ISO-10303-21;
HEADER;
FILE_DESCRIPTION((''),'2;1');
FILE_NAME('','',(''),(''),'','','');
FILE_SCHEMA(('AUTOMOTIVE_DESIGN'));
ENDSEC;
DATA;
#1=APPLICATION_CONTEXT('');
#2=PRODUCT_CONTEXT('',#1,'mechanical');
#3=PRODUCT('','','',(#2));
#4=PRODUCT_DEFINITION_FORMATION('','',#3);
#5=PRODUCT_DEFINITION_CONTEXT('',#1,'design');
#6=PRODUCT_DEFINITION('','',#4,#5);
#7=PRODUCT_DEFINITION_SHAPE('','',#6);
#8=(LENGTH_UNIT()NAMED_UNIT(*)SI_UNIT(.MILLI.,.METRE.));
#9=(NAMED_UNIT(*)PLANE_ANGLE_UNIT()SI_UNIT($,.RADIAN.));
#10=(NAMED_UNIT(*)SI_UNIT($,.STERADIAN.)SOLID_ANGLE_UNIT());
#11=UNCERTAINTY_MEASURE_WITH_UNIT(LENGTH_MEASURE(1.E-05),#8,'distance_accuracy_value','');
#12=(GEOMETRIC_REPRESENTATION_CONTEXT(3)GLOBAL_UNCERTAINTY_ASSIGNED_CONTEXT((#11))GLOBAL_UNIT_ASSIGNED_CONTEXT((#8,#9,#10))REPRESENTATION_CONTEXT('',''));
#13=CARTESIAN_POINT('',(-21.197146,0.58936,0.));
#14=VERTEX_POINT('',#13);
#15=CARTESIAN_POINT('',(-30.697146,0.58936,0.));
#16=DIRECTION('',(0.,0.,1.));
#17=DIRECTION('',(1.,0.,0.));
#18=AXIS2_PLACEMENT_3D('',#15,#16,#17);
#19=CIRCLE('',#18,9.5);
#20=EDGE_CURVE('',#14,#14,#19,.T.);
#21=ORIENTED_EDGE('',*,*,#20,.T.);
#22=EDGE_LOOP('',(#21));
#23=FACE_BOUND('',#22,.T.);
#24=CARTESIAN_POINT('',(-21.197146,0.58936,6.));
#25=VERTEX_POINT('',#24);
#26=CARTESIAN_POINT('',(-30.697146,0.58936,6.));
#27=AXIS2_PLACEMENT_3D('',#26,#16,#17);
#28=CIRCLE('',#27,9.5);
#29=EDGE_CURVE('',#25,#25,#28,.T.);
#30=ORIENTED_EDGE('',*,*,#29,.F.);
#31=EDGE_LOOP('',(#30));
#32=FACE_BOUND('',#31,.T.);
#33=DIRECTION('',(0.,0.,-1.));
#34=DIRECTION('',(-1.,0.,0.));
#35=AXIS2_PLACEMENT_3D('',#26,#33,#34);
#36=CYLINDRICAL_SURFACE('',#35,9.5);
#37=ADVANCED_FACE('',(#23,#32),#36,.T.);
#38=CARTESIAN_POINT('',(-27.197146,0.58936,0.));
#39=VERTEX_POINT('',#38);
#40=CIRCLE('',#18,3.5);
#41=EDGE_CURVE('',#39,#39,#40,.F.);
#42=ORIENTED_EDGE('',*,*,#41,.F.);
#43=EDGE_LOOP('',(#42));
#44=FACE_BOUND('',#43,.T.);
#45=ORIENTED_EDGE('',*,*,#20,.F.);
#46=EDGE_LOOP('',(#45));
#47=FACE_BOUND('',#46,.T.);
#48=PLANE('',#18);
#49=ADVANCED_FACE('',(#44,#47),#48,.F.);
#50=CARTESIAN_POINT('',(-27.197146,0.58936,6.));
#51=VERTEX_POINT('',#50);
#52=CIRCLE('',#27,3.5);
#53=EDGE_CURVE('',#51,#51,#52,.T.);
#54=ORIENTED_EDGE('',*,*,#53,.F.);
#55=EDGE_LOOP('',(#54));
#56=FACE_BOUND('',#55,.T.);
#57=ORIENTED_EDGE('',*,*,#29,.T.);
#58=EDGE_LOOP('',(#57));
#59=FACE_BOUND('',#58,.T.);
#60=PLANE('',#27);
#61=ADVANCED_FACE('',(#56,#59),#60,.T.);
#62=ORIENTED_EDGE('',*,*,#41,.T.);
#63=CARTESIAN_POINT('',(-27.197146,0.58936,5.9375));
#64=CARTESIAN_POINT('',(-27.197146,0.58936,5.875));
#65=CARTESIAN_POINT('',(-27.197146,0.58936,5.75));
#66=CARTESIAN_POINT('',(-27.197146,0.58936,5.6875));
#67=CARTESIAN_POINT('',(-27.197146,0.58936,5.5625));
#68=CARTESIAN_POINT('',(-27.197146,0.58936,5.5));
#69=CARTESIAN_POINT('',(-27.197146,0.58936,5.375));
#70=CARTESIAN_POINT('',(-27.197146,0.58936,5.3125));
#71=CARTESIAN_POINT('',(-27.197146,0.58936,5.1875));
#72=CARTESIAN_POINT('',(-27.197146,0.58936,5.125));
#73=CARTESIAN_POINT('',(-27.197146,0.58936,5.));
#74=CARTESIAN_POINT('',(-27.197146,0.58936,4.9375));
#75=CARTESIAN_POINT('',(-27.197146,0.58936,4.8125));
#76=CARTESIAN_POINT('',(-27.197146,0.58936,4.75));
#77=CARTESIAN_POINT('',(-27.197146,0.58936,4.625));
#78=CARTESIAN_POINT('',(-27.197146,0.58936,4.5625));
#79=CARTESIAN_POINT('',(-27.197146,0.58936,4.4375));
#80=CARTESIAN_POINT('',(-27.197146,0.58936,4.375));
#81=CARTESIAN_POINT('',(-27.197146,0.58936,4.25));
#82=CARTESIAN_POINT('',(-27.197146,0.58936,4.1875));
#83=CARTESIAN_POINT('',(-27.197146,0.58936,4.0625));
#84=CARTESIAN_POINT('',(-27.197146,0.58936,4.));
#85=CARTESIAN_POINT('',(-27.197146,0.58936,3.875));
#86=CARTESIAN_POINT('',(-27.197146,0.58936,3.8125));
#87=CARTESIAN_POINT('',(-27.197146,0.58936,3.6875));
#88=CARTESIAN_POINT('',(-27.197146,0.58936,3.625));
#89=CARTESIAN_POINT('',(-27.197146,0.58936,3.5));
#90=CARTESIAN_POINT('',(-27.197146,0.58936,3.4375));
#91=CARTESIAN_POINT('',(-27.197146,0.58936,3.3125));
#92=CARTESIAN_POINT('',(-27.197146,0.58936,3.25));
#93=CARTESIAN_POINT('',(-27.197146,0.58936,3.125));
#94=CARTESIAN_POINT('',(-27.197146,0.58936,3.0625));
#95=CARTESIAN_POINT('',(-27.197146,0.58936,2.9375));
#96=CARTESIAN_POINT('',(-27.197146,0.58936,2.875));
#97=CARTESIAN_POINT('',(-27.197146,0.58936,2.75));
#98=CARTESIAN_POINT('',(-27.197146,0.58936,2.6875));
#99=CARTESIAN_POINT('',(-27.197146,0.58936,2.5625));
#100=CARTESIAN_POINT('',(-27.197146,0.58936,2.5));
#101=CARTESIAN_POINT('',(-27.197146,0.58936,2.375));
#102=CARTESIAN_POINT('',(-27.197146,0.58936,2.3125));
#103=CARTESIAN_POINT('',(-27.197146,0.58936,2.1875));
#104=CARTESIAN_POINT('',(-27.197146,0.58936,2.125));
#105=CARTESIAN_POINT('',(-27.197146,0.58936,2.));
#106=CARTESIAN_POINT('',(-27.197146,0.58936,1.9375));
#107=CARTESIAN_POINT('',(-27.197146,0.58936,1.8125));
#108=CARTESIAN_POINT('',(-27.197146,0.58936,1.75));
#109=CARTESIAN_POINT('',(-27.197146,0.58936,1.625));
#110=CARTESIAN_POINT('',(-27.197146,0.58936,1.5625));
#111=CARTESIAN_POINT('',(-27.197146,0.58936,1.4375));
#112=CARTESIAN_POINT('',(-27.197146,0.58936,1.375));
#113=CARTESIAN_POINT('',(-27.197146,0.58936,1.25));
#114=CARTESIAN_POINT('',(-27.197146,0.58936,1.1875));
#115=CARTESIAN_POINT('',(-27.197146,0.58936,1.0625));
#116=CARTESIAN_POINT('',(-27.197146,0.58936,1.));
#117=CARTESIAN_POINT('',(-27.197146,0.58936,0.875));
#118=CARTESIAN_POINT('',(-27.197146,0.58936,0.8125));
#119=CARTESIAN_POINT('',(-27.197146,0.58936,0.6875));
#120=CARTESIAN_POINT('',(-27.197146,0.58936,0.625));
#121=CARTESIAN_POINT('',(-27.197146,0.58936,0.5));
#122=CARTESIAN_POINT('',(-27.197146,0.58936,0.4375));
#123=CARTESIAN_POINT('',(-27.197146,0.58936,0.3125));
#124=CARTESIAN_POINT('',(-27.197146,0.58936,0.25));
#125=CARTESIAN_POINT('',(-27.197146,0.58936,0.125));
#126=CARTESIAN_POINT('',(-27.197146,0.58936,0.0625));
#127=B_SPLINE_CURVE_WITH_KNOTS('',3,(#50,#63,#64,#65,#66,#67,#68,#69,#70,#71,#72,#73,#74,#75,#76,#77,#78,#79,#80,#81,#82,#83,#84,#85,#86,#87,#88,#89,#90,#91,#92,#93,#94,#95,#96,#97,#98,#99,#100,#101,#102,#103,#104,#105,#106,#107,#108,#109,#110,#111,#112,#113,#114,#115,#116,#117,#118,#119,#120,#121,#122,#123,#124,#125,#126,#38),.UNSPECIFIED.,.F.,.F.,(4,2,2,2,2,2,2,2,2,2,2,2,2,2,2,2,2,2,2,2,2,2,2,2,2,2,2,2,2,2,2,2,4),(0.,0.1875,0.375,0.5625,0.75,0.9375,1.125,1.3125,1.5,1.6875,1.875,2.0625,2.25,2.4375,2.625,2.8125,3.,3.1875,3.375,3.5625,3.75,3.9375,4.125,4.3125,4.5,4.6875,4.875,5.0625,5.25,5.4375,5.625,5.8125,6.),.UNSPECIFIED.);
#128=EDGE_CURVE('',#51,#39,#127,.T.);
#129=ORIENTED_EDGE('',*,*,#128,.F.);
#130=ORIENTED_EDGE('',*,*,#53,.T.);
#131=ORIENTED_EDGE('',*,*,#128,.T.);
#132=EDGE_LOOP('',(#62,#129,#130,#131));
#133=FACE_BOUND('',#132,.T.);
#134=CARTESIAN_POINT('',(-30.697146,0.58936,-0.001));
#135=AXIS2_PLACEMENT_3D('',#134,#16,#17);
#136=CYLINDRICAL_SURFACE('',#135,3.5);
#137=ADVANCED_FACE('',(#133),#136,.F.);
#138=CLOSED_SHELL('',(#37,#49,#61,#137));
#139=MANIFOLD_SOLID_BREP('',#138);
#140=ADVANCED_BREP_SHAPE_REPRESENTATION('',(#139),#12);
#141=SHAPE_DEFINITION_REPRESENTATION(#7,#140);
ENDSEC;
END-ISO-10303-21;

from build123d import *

# Parameters (mm, degrees)
ESQUISSE1_R             = 9.5
BOSS_EXTRU_1_DEPTH      = 6
ENL_V_MAT_EXTRU_1_REACH = 43.876
ESQUISSE2_R             = 3.5


with BuildPart() as part:
    # Esquisse1 → Boss.-Extru.1 (new body)
    with BuildSketch(Plane.XY):
        with Locations((-30.697145843, 0.589360339)):
            Circle(ESQUISSE1_R)
    extrude(amount=BOSS_EXTRU_1_DEPTH)

    # Esquisse2 → Enlèv. mat.-Extru.1 (cut, up to next)
    with BuildSketch(Plane.XY.offset(6), mode=Mode.PRIVATE) as enl_v_mat_extru_1_sk1:
        with Locations((-30.697145843, 0.589360339)):
            Circle(ESQUISSE2_R)
    enl_v_mat_extru_1_tool1 = extrude(enl_v_mat_extru_1_sk1.sketch, amount=-ENL_V_MAT_EXTRU_1_REACH, mode=Mode.PRIVATE) & part.part
    add(enl_v_mat_extru_1_tool1.solids().sort_by_distance((-30.697146, 0.58936, 6))[0], mode=Mode.SUBTRACT)


solid = part.part
